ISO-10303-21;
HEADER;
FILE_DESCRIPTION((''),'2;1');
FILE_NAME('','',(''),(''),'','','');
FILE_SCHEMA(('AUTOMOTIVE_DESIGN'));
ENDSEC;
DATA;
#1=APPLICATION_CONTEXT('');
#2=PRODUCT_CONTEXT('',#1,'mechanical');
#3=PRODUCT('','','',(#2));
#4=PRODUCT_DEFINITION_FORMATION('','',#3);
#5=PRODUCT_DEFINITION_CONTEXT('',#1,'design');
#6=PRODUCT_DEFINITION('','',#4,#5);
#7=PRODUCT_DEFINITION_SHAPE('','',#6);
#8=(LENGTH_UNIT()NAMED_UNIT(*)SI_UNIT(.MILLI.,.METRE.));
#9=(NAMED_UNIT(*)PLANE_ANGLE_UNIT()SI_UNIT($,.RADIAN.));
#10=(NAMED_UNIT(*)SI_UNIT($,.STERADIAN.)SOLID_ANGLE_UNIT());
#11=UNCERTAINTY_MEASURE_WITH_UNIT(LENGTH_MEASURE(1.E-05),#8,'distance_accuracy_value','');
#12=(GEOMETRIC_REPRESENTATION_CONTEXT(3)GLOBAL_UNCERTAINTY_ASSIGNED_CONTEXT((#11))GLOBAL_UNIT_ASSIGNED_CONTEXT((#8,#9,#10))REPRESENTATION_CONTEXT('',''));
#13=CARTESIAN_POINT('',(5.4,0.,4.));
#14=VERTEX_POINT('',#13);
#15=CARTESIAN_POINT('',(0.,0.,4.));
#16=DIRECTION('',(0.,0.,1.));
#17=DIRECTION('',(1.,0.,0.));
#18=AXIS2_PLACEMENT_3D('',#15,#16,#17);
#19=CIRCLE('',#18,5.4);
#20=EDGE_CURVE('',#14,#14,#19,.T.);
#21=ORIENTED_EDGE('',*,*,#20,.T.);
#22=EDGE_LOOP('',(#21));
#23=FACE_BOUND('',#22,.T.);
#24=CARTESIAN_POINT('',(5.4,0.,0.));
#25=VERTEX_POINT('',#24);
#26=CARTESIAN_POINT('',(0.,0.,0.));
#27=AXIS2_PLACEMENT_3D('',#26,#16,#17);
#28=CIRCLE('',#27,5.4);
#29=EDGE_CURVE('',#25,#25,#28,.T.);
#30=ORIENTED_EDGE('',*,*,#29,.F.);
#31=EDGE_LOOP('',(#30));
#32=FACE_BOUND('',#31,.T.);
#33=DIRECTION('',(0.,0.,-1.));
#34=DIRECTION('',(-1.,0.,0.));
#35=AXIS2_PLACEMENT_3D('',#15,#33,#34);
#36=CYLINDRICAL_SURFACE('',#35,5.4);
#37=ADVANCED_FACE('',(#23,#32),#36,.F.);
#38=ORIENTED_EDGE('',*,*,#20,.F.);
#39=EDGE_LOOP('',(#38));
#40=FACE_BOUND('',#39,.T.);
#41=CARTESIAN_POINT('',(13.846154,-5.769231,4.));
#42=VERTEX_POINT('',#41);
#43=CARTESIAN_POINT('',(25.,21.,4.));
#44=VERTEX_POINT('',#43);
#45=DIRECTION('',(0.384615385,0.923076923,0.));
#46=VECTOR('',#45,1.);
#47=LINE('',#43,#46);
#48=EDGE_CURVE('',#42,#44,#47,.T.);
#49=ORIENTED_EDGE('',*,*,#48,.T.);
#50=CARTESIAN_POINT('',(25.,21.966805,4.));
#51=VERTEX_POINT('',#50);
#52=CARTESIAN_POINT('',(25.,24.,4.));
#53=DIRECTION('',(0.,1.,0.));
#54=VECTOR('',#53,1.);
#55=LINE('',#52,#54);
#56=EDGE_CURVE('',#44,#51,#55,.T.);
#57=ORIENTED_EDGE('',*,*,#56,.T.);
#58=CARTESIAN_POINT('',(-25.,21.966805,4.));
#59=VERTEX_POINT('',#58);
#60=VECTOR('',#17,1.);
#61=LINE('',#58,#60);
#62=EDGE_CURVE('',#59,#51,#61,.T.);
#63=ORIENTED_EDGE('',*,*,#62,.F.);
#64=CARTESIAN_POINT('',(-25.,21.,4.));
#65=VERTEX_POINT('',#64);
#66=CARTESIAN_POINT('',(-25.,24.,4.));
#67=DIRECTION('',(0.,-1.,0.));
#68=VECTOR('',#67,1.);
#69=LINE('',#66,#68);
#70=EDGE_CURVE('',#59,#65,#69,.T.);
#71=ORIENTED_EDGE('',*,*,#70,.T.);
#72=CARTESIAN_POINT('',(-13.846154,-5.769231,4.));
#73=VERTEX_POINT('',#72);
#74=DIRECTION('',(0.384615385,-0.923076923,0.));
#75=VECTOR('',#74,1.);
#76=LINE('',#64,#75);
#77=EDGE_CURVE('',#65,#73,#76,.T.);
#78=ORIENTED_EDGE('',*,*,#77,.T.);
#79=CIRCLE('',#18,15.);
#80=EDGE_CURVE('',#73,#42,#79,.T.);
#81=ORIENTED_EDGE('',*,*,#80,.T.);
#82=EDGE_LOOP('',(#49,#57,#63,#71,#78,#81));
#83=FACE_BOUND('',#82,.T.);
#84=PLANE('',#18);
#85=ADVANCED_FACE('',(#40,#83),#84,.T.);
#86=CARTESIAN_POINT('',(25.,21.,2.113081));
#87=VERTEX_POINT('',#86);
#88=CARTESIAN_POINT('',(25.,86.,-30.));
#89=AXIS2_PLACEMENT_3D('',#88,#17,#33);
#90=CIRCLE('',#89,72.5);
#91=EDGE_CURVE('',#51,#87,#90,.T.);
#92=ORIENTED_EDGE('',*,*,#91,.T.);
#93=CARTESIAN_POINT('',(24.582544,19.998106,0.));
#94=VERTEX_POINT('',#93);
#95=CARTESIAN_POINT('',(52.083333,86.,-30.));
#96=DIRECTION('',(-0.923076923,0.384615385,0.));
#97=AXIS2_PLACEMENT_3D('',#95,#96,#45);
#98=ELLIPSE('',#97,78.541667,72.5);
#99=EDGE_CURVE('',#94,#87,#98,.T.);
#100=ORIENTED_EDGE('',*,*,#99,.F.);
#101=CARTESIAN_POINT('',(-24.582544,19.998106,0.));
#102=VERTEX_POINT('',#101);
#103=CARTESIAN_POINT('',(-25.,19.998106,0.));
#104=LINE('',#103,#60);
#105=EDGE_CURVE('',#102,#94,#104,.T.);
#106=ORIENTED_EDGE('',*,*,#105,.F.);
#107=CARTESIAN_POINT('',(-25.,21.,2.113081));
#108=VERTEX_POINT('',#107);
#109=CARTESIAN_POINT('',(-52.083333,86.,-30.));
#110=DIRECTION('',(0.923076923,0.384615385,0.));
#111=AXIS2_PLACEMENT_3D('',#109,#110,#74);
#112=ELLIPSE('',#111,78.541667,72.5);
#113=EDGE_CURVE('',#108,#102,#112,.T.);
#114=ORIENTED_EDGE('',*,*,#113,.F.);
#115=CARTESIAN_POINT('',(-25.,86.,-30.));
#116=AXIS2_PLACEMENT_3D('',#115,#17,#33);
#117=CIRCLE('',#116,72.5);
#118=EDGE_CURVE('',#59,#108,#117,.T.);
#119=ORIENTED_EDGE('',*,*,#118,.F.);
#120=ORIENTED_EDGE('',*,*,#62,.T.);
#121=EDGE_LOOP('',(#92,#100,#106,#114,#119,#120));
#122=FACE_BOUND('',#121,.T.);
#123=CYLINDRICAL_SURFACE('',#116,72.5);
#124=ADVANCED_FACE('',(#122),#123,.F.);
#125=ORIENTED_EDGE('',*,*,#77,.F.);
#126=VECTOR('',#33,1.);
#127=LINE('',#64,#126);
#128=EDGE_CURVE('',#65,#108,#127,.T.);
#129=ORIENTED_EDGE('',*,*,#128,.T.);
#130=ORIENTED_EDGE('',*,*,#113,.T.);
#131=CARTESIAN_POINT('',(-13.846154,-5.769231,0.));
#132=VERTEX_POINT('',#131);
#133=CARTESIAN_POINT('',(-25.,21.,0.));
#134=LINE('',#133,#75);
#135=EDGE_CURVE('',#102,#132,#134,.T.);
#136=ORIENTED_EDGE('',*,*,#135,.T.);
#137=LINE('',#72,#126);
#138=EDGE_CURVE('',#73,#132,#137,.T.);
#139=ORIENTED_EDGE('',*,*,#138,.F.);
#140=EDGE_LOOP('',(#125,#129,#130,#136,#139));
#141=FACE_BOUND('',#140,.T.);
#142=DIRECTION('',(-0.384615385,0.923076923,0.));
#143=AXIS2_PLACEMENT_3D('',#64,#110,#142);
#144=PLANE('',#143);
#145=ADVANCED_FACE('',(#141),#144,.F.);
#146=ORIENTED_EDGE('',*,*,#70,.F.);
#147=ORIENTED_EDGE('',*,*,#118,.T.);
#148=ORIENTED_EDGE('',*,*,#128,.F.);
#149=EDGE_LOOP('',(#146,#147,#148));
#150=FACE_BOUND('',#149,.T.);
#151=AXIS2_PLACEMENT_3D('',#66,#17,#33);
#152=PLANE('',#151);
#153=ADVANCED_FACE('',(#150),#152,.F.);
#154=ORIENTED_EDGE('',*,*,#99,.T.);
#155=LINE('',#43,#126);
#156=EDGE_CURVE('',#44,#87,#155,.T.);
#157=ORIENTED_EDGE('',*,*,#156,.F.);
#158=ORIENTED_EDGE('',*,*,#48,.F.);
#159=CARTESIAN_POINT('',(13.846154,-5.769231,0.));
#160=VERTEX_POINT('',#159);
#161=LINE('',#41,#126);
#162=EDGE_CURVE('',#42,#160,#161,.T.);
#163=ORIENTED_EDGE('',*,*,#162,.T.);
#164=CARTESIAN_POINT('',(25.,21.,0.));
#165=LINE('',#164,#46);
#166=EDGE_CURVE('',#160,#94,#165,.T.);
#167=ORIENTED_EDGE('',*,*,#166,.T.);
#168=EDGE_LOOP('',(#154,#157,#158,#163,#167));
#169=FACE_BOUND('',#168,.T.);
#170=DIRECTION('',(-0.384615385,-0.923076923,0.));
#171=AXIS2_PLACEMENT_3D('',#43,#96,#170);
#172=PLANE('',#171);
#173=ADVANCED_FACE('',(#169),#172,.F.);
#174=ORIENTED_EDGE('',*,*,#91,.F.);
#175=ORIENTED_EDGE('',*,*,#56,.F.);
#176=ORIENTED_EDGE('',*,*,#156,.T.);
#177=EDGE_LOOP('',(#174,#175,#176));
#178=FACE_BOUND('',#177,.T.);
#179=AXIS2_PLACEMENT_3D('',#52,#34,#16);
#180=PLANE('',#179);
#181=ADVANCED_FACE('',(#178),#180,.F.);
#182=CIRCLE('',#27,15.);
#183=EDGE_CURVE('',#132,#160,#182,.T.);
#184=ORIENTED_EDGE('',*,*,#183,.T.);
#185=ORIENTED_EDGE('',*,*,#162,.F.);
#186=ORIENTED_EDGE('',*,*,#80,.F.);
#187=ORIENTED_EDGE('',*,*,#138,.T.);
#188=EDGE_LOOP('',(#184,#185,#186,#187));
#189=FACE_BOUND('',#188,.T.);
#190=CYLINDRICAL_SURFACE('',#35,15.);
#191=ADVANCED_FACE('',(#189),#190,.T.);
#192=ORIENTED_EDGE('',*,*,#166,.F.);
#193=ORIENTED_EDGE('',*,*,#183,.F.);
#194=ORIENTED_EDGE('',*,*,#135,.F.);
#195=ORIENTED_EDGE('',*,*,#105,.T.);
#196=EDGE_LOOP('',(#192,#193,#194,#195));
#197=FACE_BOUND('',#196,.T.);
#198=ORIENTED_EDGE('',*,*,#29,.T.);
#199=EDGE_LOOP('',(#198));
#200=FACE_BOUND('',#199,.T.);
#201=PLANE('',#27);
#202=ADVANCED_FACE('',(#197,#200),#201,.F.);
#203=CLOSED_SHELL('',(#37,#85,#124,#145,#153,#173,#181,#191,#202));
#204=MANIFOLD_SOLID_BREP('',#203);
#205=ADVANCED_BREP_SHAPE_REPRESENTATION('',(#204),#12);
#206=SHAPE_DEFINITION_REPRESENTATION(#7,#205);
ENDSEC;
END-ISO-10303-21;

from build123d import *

# Parameters (mm, degrees)
SKETCH_1_R                 = 5.4
EXTRUDE_1_DEPTH            = 4
CUT_EXTRUDE_533_DEPTH      = 35.885527085
CUT_EXTRUDE_533_DEPTH_BACK = 35.885527085
SKETCH_513_R               = 72.5


with BuildPart() as part:
    # Эскиз1 → Бобышка-Вытянуть1 (new body)
    with BuildSketch(Plane.XY):
        with BuildLine():
            Line((-25, 24), (25, 24))
            Line((25, 24), (25, 21))
            Line((25, 21), (13.846153846, -5.769230769))
            ThreePointArc((13.846153846, -5.769230769), (0, -15), (-13.846153846, -5.769230769))
            Line((-13.846153846, -5.769230769), (-25, 21))
            Line((-25, 21), (-25, 24))
        make_face()
        Circle(SKETCH_1_R, mode=Mode.SUBTRACT)
    extrude(amount=EXTRUDE_1_DEPTH)

    # Sketch 513 → Cut-Extrude 533 (cut, two sides: drawn at the far end of the back side and taken through both)
    with BuildSketch(Plane(origin=(0, 0, 0), x_dir=(0, 0, -1), z_dir=(1, 0, 0)).offset(-CUT_EXTRUDE_533_DEPTH_BACK)):
        with Locations((30, 86)):
            Circle(SKETCH_513_R)
    extrude(amount=CUT_EXTRUDE_533_DEPTH + CUT_EXTRUDE_533_DEPTH_BACK, mode=Mode.SUBTRACT)


solid = part.part
